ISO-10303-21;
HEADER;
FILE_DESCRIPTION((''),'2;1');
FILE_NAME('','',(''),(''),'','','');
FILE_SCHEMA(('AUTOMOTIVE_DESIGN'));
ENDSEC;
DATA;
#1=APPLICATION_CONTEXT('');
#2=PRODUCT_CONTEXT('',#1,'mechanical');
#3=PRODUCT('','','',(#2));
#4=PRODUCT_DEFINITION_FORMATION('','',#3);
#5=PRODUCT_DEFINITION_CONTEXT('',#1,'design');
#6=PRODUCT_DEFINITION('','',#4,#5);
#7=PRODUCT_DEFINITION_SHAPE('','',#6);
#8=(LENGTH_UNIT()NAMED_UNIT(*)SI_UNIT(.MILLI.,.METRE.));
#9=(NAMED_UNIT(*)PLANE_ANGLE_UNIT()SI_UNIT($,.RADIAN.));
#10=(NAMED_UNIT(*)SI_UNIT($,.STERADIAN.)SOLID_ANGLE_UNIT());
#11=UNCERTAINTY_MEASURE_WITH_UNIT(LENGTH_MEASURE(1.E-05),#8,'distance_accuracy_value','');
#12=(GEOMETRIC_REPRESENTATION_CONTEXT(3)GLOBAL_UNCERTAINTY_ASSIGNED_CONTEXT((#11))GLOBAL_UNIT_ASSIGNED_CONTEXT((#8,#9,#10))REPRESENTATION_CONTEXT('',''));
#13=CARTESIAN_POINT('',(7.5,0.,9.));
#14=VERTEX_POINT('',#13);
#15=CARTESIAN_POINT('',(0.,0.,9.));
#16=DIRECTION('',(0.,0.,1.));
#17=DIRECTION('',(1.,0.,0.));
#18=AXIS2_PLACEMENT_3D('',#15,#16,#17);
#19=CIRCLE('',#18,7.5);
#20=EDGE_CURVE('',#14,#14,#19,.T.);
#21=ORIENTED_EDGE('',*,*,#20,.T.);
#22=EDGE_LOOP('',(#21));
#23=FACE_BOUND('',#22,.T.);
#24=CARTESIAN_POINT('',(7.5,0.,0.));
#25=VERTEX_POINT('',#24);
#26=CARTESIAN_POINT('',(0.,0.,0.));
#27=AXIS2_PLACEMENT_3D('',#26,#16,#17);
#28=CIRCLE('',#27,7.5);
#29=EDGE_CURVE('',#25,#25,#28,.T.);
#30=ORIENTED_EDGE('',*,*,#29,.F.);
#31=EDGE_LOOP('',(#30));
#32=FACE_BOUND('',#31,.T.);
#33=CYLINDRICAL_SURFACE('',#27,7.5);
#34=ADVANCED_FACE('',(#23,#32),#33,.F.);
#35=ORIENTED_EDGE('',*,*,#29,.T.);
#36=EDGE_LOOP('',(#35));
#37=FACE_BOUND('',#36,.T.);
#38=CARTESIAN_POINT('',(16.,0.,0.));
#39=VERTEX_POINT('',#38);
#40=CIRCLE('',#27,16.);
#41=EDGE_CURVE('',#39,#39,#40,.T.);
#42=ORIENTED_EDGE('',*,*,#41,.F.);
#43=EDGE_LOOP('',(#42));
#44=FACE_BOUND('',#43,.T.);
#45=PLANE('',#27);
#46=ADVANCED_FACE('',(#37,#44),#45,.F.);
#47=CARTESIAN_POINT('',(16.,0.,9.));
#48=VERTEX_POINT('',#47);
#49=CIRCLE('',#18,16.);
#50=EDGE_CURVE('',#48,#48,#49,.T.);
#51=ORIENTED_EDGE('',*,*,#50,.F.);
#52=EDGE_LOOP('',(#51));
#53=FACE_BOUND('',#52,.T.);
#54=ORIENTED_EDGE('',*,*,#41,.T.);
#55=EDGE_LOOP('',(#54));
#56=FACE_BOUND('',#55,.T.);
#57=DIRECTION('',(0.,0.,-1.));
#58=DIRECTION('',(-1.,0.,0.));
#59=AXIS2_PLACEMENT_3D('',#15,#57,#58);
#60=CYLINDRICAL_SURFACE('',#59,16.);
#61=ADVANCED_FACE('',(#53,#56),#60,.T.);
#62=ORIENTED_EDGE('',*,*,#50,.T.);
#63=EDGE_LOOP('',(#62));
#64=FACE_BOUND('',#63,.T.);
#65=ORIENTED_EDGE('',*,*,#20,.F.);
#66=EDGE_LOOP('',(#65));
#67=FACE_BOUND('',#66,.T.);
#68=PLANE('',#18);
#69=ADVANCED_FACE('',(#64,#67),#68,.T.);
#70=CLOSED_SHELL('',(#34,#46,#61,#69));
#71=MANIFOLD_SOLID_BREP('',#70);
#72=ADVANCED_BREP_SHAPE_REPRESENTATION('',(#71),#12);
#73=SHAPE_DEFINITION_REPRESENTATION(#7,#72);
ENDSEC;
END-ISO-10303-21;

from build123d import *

# Parameters (mm, degrees)
SKETCH1_R           = 16
BOSS_EXTRUDE1_DEPTH = 9
SKETCH2_R           = 7.5
CUT_EXTRUDE1_DEPTH  = 10


with BuildPart() as part:
    # Sketch1 → Boss-Extrude1 (new body)
    with BuildSketch(Plane.XY):
        Circle(SKETCH1_R)
    extrude(amount=BOSS_EXTRUDE1_DEPTH)

    # Sketch2 → Cut-Extrude1 (cut, through all)
    with BuildSketch(Plane.XY.offset(9)):
        Circle(SKETCH2_R)
    extrude(amount=-CUT_EXTRUDE1_DEPTH, mode=Mode.SUBTRACT)


solid = part.part
